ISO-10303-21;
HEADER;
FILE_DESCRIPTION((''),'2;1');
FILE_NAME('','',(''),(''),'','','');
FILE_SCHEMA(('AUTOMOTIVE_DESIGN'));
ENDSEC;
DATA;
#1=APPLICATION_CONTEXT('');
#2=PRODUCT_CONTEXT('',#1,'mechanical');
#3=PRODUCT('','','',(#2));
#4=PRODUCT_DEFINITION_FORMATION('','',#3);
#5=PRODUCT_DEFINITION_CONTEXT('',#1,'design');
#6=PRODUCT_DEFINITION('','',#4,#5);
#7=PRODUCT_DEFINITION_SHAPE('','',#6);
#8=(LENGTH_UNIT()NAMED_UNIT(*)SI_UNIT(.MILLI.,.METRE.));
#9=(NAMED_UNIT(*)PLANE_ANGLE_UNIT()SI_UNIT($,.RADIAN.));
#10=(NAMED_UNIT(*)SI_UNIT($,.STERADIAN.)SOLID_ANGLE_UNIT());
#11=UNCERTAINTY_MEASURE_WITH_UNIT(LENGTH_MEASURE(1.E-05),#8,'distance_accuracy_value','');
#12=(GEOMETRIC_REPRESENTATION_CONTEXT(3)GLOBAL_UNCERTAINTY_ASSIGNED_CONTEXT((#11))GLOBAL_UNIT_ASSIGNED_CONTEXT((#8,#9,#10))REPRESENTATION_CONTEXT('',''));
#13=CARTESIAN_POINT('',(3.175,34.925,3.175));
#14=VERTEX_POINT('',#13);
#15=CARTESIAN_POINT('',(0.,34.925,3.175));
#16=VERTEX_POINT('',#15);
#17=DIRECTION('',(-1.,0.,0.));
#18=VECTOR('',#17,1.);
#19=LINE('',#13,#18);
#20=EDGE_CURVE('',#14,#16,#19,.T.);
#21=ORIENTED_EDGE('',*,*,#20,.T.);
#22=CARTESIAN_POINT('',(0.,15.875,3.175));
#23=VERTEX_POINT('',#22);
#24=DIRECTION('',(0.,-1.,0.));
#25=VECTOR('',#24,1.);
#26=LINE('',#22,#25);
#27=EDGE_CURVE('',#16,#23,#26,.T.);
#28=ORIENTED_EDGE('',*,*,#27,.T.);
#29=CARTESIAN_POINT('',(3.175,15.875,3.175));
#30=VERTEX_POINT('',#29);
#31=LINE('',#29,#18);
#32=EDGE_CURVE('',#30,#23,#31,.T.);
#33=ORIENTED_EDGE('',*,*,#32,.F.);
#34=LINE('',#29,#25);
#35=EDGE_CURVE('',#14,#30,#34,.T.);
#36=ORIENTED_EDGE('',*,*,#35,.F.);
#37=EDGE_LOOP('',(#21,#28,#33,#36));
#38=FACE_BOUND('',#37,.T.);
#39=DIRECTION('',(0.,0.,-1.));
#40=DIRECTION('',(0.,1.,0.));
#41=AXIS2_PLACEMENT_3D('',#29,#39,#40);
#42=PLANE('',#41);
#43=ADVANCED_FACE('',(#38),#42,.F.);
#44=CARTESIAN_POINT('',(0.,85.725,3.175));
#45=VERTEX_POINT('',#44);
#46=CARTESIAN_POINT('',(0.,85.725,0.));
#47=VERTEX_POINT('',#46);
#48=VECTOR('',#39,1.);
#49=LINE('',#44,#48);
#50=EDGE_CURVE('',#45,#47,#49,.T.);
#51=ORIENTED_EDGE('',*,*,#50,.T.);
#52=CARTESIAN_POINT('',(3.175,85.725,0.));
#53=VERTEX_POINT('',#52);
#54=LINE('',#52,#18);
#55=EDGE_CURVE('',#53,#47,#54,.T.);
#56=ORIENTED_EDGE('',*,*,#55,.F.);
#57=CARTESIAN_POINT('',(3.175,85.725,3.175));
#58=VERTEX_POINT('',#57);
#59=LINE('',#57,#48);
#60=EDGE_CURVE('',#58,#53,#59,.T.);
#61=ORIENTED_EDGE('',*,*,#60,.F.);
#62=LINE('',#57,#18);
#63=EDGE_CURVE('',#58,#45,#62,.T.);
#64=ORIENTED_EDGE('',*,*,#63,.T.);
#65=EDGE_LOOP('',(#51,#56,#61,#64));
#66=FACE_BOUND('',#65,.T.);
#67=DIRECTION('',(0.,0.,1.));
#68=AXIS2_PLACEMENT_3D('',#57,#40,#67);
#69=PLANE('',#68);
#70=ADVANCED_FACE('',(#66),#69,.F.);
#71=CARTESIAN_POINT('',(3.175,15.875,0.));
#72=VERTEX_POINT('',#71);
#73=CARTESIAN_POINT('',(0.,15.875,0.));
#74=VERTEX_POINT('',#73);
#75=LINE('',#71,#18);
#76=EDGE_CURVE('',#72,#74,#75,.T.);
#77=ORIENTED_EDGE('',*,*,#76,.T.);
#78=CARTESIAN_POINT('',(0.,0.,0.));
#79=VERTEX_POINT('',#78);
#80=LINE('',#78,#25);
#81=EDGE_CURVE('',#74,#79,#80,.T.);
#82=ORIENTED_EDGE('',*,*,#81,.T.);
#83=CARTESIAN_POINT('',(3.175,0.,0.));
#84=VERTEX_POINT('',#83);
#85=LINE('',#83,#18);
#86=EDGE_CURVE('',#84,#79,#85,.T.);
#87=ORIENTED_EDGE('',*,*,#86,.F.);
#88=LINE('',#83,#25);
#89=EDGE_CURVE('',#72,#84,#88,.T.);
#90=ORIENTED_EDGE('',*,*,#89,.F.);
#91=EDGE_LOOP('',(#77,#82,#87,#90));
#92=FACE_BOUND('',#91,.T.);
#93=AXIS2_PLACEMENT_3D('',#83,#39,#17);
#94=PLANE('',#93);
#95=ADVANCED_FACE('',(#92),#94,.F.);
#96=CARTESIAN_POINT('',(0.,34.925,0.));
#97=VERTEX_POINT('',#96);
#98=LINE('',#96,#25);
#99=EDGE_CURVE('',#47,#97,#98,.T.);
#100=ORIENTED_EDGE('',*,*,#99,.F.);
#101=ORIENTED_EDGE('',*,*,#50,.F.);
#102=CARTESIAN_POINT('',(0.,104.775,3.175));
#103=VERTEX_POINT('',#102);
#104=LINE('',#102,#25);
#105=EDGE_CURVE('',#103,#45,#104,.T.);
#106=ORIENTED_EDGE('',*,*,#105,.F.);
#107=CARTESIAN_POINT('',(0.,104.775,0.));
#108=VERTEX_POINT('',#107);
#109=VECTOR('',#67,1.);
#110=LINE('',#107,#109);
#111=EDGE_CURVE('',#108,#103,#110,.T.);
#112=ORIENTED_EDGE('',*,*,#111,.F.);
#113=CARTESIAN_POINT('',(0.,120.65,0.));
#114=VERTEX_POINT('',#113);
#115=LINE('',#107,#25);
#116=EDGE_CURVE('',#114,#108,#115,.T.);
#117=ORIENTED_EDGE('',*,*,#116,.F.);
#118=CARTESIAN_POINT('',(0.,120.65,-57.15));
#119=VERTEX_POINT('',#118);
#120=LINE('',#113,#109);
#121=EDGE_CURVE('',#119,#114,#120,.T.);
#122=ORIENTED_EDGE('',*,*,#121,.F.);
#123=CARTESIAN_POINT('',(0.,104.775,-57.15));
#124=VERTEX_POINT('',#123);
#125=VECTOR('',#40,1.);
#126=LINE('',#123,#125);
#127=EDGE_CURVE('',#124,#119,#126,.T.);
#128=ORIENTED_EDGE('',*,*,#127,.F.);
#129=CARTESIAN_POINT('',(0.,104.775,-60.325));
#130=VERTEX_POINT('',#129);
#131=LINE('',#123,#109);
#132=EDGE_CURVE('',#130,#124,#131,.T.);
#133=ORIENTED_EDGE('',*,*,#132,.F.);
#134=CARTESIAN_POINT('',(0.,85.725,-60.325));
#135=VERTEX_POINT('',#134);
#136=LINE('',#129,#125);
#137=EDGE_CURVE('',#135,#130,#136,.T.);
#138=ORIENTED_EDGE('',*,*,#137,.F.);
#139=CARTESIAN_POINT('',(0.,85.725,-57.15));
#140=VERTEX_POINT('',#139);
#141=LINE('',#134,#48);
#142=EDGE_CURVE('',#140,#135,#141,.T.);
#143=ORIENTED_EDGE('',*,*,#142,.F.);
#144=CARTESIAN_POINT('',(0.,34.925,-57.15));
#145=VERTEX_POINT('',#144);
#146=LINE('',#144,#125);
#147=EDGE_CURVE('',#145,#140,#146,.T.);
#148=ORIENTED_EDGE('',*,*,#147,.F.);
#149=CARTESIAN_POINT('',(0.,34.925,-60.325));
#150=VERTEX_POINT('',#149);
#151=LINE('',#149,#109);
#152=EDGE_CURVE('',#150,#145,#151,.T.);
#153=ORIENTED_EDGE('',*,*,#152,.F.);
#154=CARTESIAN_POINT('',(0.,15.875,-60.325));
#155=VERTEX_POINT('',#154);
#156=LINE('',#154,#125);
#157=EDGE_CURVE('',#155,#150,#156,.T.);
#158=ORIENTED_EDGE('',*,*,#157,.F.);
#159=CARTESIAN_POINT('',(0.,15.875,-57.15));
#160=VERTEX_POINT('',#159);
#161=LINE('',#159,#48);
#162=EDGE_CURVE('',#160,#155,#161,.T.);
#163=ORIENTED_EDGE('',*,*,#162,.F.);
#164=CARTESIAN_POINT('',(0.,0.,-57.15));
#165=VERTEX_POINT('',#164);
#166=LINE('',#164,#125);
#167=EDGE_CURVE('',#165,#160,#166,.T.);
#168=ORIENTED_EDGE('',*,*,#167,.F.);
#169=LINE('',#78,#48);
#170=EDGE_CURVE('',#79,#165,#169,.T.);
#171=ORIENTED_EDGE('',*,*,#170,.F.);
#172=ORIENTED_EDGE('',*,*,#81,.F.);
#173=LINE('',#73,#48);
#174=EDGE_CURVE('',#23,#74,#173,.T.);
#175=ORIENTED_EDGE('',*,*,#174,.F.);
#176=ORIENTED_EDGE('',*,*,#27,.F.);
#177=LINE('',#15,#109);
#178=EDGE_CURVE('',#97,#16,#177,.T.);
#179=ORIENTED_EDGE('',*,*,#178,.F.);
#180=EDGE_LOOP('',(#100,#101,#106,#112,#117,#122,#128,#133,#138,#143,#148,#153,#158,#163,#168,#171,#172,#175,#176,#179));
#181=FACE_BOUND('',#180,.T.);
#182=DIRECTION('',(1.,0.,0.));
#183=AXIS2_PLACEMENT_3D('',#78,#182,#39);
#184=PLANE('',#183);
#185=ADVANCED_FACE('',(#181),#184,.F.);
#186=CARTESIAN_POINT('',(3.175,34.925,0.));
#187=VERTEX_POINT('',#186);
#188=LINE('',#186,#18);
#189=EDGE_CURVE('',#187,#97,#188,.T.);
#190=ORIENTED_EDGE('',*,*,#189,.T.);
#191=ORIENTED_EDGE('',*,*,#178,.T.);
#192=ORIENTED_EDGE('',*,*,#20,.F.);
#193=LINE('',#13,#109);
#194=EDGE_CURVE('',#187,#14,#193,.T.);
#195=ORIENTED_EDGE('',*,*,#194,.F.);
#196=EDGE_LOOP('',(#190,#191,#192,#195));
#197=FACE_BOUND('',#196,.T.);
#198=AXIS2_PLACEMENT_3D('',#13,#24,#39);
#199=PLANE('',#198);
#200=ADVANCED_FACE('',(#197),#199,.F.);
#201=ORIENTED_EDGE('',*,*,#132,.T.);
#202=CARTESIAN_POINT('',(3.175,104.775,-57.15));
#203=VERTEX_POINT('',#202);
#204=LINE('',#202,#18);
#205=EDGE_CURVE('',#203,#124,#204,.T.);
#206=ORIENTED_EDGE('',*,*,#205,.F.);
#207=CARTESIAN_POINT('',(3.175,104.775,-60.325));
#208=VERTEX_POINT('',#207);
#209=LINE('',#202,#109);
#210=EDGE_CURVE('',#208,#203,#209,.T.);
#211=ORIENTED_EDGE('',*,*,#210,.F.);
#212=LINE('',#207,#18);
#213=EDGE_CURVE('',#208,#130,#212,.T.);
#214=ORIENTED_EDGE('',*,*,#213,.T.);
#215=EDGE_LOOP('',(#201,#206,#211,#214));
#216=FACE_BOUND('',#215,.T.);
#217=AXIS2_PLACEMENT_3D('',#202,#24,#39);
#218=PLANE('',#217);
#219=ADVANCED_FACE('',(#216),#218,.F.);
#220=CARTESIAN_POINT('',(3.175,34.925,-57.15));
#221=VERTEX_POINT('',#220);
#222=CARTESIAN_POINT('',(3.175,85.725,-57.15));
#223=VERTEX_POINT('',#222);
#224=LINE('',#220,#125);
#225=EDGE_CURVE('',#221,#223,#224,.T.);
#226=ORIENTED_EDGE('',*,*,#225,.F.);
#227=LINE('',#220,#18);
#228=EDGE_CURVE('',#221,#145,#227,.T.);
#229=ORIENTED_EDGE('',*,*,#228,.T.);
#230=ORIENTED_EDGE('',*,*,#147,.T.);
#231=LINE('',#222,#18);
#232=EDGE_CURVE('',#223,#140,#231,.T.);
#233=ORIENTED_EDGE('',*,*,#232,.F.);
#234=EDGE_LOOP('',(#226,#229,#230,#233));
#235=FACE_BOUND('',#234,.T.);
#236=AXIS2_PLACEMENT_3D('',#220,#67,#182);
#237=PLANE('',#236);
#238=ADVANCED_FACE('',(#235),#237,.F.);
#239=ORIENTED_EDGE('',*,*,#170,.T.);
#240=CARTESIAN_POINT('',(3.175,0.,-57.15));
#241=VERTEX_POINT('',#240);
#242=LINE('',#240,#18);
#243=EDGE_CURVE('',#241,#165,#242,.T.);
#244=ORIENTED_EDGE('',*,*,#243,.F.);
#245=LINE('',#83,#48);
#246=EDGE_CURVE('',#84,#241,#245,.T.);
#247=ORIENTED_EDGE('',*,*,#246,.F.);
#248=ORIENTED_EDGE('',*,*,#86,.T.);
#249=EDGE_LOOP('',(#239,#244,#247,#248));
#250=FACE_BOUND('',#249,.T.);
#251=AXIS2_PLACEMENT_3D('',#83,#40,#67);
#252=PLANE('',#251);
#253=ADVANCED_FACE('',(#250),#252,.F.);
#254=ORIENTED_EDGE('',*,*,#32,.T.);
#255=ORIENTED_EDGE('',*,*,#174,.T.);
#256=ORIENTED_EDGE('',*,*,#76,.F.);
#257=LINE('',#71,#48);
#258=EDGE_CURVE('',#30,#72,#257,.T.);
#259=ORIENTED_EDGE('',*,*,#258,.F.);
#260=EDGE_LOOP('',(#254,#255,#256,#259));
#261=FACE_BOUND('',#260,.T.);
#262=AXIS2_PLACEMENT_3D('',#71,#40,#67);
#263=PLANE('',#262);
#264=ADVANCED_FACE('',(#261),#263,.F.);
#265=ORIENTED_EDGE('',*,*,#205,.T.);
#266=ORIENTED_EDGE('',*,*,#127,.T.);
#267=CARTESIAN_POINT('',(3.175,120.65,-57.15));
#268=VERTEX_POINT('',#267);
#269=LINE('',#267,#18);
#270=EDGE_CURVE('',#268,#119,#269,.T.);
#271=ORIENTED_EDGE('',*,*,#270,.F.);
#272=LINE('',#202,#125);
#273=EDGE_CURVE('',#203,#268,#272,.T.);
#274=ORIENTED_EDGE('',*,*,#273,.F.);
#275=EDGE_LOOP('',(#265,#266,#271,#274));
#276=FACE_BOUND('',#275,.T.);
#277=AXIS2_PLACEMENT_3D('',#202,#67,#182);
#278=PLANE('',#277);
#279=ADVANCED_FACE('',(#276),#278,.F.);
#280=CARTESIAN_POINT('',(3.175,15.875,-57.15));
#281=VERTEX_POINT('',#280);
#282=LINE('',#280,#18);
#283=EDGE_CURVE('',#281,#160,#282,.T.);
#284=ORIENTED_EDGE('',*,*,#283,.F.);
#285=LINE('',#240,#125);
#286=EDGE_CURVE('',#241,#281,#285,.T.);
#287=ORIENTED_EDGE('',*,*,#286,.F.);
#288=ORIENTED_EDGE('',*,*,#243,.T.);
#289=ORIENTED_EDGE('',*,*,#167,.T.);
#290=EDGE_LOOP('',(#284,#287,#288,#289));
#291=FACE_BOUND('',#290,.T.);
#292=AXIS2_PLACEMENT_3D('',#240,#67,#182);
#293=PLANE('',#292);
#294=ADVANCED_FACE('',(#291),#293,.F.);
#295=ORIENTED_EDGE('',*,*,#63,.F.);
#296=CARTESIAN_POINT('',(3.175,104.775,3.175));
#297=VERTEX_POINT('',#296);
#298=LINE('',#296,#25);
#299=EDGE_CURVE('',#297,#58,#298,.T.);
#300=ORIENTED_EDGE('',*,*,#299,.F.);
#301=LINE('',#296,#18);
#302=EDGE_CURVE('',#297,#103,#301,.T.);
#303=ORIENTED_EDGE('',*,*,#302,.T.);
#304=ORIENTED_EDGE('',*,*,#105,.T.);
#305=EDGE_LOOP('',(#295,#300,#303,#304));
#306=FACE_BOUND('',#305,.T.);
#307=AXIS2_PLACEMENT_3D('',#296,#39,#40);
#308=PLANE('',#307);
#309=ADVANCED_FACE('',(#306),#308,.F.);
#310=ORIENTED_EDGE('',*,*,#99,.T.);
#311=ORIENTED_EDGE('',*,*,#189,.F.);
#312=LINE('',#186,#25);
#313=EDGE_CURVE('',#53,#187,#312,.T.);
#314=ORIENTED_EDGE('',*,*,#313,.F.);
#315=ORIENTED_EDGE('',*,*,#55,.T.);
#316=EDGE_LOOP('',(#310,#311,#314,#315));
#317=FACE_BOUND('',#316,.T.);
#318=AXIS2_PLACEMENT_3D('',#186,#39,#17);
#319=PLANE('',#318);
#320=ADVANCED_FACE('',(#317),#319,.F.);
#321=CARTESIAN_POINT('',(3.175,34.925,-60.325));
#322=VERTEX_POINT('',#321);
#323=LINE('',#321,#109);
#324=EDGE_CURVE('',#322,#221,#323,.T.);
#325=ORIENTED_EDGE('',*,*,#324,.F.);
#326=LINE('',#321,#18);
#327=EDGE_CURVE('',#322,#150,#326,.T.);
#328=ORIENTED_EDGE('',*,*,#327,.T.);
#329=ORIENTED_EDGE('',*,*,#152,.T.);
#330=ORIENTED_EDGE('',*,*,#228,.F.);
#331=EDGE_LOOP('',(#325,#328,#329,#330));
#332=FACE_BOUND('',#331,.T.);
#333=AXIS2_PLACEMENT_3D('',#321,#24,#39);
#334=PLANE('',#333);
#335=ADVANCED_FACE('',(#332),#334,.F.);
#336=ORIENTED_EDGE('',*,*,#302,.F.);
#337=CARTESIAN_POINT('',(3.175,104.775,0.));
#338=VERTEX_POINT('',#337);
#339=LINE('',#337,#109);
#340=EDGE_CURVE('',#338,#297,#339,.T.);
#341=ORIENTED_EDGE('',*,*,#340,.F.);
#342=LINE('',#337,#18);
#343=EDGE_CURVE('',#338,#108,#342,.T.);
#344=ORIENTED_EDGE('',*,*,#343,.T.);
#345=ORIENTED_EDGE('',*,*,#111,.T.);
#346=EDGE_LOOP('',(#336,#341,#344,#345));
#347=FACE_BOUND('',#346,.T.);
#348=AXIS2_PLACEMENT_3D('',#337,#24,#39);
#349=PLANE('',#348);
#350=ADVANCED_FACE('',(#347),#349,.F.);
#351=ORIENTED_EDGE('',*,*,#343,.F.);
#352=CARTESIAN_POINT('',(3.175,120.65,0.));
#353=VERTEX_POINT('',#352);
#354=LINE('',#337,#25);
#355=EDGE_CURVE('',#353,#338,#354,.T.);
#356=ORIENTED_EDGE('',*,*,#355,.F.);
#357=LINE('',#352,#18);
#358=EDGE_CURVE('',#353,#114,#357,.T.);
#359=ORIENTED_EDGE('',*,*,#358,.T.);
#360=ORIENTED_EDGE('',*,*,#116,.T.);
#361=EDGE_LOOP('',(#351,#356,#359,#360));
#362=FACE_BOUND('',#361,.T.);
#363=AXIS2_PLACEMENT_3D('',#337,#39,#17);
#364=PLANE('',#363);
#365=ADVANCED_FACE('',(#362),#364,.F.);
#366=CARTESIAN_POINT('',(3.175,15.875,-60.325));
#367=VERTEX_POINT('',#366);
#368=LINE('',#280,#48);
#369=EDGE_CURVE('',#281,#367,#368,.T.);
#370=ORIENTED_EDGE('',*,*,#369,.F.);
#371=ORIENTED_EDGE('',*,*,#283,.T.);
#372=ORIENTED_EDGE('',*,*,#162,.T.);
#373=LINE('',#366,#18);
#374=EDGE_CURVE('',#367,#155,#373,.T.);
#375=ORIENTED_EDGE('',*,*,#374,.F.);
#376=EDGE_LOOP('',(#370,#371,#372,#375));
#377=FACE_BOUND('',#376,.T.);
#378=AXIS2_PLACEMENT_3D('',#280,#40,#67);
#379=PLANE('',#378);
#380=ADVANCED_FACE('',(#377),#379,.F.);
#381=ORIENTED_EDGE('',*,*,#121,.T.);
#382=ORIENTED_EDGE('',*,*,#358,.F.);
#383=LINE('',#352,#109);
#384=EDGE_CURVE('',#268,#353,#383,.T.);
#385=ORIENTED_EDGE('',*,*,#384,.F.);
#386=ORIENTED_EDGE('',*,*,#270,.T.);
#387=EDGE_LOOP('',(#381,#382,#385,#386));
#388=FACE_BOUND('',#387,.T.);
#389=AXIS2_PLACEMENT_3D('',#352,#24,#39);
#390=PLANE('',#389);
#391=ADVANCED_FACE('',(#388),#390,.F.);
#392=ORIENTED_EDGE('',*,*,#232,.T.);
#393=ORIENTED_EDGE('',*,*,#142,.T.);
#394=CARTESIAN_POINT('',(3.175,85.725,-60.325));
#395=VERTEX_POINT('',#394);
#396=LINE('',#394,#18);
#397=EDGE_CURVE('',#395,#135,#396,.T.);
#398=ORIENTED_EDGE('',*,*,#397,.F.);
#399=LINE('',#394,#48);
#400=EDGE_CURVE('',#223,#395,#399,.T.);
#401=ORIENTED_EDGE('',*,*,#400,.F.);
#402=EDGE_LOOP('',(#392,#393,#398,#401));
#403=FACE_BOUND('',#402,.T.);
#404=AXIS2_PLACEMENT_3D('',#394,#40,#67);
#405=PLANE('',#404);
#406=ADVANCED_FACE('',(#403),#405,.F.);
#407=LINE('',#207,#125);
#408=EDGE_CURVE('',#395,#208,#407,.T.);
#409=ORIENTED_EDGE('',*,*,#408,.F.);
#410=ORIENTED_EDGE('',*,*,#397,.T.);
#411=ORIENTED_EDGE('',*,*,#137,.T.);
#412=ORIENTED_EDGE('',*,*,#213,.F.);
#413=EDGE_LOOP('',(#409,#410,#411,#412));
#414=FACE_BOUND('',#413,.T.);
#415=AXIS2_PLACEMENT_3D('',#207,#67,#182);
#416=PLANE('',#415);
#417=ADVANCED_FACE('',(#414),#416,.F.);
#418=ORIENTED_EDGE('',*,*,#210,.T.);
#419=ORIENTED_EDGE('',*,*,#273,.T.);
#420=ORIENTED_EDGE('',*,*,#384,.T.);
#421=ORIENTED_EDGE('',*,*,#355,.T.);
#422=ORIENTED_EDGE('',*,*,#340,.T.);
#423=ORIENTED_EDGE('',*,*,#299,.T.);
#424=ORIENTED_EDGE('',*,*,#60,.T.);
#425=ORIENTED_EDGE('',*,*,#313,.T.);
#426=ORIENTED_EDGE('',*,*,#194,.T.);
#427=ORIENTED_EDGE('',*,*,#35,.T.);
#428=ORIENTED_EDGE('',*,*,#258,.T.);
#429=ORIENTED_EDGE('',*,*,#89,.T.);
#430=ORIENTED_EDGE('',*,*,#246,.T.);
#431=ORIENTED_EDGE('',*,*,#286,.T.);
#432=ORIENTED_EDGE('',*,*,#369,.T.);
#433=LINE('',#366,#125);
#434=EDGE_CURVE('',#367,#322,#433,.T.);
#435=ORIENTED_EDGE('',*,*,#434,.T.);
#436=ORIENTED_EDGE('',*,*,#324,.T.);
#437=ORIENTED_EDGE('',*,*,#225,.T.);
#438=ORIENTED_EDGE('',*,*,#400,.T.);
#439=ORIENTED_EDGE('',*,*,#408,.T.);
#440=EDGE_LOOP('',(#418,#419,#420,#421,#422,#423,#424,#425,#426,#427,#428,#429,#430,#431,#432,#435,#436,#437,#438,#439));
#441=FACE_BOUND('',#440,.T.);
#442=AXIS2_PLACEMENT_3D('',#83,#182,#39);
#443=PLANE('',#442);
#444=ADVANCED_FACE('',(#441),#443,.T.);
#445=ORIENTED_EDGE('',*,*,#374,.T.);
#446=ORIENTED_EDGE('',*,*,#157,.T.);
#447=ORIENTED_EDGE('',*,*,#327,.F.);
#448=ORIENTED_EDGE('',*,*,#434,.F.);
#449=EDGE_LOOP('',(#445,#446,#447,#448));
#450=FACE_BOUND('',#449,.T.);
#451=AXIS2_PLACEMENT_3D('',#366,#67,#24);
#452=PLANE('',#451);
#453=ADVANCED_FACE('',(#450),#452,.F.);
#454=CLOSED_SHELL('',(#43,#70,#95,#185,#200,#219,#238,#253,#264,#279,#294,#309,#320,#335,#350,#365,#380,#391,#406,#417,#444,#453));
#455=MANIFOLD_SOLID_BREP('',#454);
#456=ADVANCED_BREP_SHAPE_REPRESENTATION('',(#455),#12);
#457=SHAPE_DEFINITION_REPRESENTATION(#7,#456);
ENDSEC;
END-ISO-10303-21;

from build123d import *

# Parameters (mm, degrees)
BOSS_EXTRUDE1_DEPTH = 3.175


with BuildPart() as part:
    # Sketch1 → Boss-Extrude1 (new body)
    with BuildSketch(Plane(origin=(0, 0, 0), x_dir=(0, 0, -1), z_dir=(1, 0, 0))):
        Polygon((0, 0), (57.15, 0), (57.15, 15.875), (60.325, 15.875), (60.325, 34.925), (57.15, 34.925), (57.15, 85.725), (60.325, 85.725), (60.325, 104.775), (57.15, 104.775), (57.15, 120.65), (0, 120.65), (0, 104.775), (-3.175, 104.775), (-3.175, 85.725), (0, 85.725), (0, 34.925), (-3.175, 34.925), (-3.175, 15.875), (0, 15.875), align=None)
    extrude(amount=BOSS_EXTRUDE1_DEPTH)


solid = part.part
